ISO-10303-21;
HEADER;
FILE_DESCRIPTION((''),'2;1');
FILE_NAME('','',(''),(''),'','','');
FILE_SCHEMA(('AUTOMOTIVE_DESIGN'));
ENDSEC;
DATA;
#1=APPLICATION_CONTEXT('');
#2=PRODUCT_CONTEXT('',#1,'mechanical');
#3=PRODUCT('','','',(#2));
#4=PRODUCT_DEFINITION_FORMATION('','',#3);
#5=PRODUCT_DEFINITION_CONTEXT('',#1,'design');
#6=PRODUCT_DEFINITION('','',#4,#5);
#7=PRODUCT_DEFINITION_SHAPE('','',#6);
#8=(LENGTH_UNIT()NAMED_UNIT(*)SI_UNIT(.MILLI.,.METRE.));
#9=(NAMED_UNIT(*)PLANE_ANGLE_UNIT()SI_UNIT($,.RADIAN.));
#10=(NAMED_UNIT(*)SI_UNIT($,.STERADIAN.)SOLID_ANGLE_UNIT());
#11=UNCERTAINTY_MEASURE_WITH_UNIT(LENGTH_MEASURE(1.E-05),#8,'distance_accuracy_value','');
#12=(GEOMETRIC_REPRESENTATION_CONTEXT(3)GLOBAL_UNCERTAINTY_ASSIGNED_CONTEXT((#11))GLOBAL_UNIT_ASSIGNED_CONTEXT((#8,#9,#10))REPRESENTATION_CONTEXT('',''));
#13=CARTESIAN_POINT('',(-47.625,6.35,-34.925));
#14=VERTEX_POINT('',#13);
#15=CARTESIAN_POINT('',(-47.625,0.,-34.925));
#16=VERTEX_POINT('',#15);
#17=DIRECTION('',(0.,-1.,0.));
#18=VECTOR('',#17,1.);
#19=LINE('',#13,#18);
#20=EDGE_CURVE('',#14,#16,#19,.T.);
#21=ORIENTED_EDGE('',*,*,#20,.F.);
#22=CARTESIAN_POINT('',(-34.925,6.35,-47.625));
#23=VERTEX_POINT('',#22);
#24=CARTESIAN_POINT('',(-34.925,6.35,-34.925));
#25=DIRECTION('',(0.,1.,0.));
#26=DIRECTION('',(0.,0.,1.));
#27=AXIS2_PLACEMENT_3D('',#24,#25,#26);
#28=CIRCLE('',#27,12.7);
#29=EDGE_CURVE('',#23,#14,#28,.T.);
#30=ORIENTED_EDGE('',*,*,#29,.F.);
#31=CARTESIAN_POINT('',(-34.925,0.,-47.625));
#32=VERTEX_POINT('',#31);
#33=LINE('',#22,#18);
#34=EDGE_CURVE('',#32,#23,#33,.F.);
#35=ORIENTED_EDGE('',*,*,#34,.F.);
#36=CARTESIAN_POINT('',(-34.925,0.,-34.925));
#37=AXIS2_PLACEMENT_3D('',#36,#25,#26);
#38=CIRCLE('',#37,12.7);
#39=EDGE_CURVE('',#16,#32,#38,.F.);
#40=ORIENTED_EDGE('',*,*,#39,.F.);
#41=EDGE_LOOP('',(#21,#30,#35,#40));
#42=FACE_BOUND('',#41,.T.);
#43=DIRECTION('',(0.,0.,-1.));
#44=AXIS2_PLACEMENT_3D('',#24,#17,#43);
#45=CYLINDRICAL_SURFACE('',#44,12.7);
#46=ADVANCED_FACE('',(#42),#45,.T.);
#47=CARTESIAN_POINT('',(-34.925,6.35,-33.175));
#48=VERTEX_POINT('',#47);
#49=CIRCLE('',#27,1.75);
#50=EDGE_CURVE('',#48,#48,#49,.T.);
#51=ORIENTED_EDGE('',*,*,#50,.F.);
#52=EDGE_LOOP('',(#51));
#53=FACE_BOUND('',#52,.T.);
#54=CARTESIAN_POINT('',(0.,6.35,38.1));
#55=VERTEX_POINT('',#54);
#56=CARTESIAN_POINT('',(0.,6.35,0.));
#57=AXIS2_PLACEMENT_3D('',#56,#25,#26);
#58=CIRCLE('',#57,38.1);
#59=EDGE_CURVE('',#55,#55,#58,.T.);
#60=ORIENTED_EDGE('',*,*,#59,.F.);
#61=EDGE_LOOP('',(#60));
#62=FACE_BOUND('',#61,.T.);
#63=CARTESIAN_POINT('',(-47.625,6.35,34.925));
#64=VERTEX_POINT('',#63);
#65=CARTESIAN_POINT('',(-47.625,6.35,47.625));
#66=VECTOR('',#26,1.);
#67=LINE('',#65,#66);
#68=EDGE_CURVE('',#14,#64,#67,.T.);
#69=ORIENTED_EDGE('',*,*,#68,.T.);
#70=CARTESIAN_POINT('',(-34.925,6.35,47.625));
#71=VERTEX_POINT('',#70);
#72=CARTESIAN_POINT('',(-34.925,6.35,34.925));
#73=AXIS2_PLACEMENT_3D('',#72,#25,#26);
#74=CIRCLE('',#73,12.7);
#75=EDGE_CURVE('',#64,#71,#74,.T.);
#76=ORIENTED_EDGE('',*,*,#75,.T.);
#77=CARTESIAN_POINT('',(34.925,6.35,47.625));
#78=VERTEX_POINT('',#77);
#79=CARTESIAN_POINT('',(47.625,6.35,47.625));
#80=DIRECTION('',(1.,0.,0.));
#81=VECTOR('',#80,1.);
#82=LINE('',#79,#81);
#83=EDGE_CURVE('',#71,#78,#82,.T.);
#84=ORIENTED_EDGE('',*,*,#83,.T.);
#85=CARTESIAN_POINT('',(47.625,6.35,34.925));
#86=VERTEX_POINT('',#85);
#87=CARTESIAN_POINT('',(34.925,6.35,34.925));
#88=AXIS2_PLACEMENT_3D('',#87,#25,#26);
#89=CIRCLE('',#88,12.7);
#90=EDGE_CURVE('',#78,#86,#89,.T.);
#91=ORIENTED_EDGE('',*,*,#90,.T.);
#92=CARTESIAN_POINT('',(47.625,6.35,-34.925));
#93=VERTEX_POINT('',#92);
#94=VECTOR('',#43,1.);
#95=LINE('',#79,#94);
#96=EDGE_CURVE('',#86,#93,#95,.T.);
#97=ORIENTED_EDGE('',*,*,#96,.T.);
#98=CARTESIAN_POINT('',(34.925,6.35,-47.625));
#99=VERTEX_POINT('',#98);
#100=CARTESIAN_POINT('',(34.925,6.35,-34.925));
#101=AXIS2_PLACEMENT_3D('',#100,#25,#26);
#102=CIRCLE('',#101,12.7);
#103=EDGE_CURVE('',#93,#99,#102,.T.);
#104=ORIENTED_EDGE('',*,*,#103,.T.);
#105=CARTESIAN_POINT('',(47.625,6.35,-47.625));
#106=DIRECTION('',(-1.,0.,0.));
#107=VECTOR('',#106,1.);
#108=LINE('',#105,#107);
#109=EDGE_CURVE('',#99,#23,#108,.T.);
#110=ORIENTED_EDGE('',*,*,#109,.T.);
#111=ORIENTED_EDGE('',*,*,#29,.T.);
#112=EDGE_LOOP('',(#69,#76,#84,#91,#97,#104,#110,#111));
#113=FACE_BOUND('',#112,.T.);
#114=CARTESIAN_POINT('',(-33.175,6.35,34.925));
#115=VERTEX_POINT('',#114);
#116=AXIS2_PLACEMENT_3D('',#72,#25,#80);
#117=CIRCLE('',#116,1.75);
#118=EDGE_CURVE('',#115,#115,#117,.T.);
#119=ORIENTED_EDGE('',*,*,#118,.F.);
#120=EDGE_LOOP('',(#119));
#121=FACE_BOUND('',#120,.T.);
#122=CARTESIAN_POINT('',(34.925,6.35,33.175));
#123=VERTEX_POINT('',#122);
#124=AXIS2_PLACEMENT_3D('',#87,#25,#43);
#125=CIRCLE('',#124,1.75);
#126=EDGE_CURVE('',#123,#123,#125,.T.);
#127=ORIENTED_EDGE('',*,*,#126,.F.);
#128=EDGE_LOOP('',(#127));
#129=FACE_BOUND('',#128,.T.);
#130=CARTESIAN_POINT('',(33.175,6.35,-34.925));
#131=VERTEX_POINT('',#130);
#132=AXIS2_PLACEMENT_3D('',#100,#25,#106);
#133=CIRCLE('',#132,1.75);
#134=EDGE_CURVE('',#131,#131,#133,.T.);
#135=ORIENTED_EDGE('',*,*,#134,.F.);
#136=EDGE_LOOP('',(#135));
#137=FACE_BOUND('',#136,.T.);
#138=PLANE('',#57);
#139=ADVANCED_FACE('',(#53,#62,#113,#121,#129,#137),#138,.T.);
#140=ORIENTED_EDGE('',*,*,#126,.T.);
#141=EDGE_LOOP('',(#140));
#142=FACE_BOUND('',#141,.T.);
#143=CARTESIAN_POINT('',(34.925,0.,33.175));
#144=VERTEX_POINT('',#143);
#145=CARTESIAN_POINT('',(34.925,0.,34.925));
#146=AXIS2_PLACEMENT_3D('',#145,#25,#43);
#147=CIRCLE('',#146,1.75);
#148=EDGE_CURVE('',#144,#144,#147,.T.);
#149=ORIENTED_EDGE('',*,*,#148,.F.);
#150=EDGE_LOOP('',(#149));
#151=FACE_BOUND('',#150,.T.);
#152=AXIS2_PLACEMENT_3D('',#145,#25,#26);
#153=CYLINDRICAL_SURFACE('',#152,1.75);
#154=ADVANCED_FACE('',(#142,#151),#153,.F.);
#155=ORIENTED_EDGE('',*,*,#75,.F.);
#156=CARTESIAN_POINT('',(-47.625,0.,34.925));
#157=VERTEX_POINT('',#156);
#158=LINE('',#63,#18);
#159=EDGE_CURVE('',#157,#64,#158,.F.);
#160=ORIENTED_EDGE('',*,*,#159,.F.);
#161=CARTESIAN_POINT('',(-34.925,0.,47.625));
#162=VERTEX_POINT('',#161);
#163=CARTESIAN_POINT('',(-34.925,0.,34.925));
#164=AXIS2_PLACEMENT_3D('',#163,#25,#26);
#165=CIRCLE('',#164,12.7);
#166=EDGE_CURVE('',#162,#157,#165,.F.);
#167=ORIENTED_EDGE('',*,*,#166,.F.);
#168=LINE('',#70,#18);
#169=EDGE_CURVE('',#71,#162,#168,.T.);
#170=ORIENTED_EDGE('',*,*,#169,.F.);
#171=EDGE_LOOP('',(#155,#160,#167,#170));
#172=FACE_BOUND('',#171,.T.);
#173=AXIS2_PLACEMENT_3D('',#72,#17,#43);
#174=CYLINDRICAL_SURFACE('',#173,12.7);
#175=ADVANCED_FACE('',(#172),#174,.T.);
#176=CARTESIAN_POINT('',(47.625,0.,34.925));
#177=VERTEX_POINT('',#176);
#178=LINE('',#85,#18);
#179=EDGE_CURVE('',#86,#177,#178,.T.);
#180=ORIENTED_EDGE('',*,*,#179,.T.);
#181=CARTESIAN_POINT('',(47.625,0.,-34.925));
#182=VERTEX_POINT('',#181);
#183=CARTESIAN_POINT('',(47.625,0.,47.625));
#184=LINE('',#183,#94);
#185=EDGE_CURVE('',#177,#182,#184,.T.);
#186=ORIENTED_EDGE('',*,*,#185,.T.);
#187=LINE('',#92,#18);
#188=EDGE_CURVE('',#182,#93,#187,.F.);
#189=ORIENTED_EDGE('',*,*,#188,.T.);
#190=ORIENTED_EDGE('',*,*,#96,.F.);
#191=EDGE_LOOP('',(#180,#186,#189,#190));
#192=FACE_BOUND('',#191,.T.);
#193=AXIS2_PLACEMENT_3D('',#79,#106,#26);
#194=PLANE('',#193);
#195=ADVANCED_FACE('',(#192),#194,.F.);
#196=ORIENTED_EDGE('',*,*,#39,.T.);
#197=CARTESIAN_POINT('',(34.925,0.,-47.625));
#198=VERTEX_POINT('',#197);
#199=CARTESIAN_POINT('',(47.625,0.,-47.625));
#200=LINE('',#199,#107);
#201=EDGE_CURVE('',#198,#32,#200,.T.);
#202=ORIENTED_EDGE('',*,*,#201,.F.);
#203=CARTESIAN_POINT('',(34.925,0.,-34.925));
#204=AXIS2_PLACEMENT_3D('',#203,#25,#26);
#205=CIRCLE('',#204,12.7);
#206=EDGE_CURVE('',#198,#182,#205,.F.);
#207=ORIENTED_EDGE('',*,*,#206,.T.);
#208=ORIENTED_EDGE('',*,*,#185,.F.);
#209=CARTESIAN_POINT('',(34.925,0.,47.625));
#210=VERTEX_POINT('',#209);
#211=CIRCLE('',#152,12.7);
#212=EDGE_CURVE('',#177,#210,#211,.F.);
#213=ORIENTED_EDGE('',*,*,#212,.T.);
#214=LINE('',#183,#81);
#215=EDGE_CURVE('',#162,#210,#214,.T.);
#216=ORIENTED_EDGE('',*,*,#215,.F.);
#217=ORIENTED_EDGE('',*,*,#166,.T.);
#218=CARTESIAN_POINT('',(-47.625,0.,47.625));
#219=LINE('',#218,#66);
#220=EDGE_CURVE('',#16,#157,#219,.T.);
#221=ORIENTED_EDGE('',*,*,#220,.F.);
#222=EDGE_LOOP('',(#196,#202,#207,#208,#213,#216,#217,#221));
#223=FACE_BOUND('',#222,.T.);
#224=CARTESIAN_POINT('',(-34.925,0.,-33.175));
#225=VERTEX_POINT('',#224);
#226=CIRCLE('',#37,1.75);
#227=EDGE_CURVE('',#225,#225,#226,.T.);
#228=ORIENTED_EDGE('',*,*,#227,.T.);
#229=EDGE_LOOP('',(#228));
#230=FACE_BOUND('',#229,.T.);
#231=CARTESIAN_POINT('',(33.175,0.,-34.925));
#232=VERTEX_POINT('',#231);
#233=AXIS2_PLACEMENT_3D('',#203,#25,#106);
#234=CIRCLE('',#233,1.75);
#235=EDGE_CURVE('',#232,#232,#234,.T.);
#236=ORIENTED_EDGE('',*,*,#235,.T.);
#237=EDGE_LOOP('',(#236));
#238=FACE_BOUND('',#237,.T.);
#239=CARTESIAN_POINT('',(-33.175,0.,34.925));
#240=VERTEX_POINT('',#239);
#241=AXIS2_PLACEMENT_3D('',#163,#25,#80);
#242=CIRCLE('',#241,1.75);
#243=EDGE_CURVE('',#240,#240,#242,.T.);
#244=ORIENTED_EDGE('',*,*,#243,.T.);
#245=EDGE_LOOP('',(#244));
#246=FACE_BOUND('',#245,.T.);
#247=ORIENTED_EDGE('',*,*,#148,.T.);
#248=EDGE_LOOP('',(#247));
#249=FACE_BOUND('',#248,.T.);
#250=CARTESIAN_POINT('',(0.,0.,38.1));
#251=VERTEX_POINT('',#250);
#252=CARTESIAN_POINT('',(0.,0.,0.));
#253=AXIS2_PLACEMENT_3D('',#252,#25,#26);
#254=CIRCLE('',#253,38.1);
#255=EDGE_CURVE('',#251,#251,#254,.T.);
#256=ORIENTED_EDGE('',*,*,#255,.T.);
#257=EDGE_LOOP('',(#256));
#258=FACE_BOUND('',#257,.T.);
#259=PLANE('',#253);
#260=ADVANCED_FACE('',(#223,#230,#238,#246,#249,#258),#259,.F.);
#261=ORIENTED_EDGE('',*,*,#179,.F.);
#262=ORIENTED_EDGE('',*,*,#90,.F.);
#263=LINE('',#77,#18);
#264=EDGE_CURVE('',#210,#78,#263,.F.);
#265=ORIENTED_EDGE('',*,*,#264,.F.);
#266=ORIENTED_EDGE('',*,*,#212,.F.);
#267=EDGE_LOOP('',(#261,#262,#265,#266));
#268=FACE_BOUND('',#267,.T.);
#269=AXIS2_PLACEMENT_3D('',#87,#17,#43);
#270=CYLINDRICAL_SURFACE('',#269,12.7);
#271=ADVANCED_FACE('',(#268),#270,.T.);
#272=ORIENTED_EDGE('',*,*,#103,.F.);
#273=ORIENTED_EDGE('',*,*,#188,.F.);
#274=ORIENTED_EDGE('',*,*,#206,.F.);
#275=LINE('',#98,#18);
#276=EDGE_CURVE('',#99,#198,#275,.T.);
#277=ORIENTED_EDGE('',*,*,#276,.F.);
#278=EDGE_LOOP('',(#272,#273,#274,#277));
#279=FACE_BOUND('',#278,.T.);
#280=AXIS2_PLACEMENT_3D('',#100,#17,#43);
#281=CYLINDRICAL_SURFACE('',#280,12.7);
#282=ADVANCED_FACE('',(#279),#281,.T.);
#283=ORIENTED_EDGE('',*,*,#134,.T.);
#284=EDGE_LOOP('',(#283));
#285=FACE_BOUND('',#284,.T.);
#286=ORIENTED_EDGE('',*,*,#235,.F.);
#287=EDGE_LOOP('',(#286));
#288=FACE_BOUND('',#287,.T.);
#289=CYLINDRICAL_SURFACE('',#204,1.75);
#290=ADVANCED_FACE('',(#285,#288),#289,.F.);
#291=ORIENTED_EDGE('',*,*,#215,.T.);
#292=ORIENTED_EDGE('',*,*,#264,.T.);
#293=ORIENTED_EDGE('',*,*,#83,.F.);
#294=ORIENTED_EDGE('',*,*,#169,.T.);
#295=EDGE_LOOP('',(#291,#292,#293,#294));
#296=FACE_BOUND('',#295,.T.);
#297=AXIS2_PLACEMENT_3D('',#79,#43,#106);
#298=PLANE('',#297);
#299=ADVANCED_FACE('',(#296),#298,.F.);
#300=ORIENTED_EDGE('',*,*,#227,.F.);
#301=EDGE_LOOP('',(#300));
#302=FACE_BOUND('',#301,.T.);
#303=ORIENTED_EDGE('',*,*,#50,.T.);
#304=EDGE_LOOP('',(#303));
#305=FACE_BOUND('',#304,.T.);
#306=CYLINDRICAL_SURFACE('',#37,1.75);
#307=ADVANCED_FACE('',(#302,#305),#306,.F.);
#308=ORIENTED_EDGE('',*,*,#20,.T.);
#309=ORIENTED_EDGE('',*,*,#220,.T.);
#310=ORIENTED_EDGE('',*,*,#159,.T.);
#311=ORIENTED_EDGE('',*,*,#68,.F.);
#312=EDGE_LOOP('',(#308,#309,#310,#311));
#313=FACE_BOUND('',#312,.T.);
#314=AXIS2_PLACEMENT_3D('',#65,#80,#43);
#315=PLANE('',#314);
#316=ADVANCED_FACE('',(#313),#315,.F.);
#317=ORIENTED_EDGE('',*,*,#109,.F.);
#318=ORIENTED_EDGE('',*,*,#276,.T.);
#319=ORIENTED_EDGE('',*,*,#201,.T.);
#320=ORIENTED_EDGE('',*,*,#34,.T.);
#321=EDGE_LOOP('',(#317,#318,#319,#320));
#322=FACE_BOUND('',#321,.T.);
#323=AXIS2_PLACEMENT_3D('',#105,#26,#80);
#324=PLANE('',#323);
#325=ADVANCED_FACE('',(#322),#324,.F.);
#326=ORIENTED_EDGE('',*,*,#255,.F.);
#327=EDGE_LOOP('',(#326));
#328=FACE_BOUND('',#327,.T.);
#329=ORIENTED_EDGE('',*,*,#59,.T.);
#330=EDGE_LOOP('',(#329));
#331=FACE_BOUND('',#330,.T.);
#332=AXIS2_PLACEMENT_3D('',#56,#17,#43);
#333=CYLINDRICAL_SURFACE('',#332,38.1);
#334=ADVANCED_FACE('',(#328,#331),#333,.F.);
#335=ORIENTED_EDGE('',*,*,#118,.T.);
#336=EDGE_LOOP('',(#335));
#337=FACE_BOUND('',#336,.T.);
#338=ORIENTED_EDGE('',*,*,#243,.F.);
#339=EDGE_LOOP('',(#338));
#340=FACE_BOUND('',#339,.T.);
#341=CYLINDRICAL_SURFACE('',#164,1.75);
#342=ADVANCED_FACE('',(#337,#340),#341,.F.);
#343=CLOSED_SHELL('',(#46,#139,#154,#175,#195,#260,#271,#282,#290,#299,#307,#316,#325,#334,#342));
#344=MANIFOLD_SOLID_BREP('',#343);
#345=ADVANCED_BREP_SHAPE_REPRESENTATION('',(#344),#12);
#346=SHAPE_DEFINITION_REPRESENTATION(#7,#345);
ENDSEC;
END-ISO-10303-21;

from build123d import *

# Parameters (mm, degrees)
SKETCH1_W           = 95.25
SKETCH1_H           = 95.25
SKETCH1_R           = 38.1
BOSS_EXTRUDE1_DEPTH = 6.35
SKETCH2_R           = 1.75
CUT_EXTRUDE1_DEPTH  = 7.35
CIRPATTERN1_COUNT   = 4
FILLET1_R           = 12.7


with BuildPart() as part:
    # Sketch1 → Boss-Extrude1 (new body)
    with BuildSketch(Plane(origin=(0, 0, 0), x_dir=(1, 0, 0), z_dir=(0, 1, 0))):
        Rectangle(SKETCH1_W, SKETCH1_H)
        Circle(SKETCH1_R, mode=Mode.SUBTRACT)
    extrude(amount=BOSS_EXTRUDE1_DEPTH)

    # Sketch2 → Cut-Extrude1 (cut, through all)
    with BuildSketch(Plane(origin=(0, 6.35, 0), x_dir=(1, 0, 0), z_dir=(0, 1, 0))):
        with Locations((-34.925, 34.925)):
            Circle(SKETCH2_R)
    cut_extrude1 = extrude(amount=-CUT_EXTRUDE1_DEPTH, mode=Mode.SUBTRACT)

    # CirPattern1: Cut-Extrude1 ×4 about axis
    cirpattern1_axis = Axis((0, 0, 0), (0, 1, 0))
    for i in range(1, CIRPATTERN1_COUNT):
        add(cut_extrude1.rotate(cirpattern1_axis, i * 360 / CIRPATTERN1_COUNT), mode=Mode.SUBTRACT)

    # Fillet1
    fillet1_edges = [part.edges().sort_by_distance(p)[0] for p in [
        (-47.625, 3.175, -47.625),
        (47.625, 3.175, -47.625),
        (47.625, 3.175, 47.625),
        (-47.625, 3.175, 47.625),
    ]]
    fillet(fillet1_edges, radius=FILLET1_R)


solid = part.part
